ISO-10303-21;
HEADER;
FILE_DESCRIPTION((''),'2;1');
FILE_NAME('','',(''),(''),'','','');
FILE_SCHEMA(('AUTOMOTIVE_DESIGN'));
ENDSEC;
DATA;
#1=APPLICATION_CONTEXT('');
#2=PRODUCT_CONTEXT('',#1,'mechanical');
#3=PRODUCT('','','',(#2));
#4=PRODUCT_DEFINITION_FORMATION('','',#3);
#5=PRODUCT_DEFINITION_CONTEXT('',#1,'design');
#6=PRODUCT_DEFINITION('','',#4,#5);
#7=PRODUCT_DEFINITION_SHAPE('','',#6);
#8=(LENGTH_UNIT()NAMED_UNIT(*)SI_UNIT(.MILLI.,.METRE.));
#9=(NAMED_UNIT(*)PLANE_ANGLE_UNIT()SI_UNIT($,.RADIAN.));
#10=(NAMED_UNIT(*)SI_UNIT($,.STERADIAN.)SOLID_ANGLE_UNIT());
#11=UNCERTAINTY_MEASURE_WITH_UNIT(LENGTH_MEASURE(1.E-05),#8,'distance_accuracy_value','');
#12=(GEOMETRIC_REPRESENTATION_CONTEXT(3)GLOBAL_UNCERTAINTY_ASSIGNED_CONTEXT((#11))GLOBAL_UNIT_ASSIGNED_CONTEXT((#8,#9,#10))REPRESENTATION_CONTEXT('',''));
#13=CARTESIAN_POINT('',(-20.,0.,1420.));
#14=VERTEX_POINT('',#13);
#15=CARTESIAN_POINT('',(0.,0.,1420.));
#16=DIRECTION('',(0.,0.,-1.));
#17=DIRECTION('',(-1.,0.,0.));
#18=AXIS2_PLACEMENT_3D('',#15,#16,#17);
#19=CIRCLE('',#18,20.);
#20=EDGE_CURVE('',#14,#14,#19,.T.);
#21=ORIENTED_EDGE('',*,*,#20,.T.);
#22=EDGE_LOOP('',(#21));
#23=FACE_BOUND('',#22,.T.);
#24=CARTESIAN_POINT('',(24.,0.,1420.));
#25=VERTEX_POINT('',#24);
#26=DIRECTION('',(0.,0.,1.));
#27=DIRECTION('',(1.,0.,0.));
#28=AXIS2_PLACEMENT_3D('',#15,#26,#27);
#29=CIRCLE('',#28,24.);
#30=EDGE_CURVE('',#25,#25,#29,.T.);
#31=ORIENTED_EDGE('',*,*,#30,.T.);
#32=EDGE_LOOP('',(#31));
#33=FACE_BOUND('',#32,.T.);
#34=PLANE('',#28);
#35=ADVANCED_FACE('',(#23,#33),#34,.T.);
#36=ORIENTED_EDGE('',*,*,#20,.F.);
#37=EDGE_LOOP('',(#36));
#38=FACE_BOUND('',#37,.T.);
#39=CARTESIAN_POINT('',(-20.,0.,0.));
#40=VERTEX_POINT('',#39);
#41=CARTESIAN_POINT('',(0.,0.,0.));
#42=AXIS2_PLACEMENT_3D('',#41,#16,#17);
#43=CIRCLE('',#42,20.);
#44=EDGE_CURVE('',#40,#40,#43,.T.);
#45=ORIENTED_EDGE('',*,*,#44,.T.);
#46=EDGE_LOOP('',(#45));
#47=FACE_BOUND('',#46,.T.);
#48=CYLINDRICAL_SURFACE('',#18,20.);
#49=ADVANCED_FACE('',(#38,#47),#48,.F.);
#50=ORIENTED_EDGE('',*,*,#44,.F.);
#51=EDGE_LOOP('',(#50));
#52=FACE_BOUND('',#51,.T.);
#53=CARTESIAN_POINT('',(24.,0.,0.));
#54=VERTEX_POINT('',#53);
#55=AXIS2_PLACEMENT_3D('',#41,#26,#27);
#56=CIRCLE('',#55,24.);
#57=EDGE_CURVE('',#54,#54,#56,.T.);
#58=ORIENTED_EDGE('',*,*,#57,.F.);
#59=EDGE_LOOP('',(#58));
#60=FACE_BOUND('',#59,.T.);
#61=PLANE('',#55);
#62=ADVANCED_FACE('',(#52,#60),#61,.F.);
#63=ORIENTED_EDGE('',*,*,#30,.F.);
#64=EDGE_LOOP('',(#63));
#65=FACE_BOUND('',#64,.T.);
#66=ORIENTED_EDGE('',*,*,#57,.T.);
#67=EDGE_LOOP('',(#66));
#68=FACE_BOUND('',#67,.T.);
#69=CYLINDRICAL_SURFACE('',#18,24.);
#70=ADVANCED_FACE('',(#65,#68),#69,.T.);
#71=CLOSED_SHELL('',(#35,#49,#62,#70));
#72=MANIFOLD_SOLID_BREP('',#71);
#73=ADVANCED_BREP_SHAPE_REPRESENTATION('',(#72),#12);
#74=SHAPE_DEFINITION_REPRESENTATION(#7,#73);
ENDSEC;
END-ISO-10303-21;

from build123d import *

# Parameters (mm, degrees)
SKETCH_1_R          = 24
EXTRUDE_1_DEPTH     = 1420
SKETCH_2_R          = 20
CUT_EXTRUDE_1_DEPTH = 1421


with BuildPart() as part:
    # Эскиз1 → Бобышка-Вытянуть1 (new body)
    with BuildSketch(Plane.XY):
        Circle(SKETCH_1_R)
    extrude(amount=EXTRUDE_1_DEPTH)

    # Эскиз2 → Вырез-Вытянуть1 (cut, through all)
    with BuildSketch(Plane(origin=(0, 0, 0), x_dir=(-1, 0, 0), z_dir=(0, 0, -1))):
        Circle(SKETCH_2_R)
    extrude(amount=-CUT_EXTRUDE_1_DEPTH, mode=Mode.SUBTRACT)


solid = part.part
